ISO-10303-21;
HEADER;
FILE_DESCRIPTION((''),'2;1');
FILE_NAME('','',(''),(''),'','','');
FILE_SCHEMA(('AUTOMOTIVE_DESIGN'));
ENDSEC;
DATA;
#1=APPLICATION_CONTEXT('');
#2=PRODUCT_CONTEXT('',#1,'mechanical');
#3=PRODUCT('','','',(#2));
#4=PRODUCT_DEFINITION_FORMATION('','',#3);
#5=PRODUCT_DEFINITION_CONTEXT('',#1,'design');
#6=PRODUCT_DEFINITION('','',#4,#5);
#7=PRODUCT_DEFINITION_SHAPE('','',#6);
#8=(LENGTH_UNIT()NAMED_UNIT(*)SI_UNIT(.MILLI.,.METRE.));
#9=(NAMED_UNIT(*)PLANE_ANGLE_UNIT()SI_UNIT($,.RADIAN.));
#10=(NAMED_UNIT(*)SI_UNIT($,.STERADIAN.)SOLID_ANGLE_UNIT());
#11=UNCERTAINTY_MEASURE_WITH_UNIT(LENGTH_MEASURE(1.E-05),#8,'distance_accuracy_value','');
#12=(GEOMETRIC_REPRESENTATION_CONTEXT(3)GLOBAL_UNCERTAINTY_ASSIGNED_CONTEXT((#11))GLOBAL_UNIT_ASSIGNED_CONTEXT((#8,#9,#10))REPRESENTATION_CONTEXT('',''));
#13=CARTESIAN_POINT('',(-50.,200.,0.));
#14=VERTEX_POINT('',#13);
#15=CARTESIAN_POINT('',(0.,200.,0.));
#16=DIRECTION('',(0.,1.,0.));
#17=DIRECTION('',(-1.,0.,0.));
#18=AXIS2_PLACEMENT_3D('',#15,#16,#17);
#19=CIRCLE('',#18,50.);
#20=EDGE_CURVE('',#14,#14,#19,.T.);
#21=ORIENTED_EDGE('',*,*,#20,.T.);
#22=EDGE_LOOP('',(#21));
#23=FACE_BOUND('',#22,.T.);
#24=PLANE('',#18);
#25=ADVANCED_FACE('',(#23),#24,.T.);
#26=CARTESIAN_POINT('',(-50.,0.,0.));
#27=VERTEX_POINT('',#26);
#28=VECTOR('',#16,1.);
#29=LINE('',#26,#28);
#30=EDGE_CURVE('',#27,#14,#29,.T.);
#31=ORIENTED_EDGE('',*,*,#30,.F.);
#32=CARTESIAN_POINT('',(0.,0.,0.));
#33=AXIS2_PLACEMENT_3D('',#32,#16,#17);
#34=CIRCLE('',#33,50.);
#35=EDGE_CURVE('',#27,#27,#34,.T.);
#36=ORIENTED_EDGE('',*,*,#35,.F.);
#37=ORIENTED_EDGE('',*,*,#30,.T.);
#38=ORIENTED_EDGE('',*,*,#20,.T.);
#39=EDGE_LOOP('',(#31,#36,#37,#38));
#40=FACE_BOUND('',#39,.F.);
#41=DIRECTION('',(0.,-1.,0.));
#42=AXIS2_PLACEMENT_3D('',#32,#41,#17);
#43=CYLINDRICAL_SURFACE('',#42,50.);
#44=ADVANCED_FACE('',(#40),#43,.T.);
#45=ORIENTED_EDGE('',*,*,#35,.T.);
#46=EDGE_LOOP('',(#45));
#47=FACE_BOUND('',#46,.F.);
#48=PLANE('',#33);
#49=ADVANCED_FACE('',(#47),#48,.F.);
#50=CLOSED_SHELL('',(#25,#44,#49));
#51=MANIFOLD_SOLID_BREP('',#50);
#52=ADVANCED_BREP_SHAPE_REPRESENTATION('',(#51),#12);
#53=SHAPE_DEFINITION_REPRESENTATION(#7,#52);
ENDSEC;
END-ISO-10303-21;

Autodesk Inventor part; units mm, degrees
ref_plane "YZ Plane" through (0, 0, 0) normal (1, 0, 0) x (0, 1, 0)
ref_plane "XZ Plane" through (0, 0, 0) normal (0, 1, 0) x (-1, 0, 0)
ref_plane "XY Plane" through (0, 0, 0) normal (0, 0, 1) x (1, 0, 0)
sketch "Sketch1" plane through (0, 0, 0) normal (0, 1, 0) x (-1, 0, 0)
  circle A0 centre (0, 0) radius 50
  dimension "d0" = 100
extrude "Extrusion1" add sketch "Sketch1" along normal blind 200
properties part number "1.5L_Bottle"
